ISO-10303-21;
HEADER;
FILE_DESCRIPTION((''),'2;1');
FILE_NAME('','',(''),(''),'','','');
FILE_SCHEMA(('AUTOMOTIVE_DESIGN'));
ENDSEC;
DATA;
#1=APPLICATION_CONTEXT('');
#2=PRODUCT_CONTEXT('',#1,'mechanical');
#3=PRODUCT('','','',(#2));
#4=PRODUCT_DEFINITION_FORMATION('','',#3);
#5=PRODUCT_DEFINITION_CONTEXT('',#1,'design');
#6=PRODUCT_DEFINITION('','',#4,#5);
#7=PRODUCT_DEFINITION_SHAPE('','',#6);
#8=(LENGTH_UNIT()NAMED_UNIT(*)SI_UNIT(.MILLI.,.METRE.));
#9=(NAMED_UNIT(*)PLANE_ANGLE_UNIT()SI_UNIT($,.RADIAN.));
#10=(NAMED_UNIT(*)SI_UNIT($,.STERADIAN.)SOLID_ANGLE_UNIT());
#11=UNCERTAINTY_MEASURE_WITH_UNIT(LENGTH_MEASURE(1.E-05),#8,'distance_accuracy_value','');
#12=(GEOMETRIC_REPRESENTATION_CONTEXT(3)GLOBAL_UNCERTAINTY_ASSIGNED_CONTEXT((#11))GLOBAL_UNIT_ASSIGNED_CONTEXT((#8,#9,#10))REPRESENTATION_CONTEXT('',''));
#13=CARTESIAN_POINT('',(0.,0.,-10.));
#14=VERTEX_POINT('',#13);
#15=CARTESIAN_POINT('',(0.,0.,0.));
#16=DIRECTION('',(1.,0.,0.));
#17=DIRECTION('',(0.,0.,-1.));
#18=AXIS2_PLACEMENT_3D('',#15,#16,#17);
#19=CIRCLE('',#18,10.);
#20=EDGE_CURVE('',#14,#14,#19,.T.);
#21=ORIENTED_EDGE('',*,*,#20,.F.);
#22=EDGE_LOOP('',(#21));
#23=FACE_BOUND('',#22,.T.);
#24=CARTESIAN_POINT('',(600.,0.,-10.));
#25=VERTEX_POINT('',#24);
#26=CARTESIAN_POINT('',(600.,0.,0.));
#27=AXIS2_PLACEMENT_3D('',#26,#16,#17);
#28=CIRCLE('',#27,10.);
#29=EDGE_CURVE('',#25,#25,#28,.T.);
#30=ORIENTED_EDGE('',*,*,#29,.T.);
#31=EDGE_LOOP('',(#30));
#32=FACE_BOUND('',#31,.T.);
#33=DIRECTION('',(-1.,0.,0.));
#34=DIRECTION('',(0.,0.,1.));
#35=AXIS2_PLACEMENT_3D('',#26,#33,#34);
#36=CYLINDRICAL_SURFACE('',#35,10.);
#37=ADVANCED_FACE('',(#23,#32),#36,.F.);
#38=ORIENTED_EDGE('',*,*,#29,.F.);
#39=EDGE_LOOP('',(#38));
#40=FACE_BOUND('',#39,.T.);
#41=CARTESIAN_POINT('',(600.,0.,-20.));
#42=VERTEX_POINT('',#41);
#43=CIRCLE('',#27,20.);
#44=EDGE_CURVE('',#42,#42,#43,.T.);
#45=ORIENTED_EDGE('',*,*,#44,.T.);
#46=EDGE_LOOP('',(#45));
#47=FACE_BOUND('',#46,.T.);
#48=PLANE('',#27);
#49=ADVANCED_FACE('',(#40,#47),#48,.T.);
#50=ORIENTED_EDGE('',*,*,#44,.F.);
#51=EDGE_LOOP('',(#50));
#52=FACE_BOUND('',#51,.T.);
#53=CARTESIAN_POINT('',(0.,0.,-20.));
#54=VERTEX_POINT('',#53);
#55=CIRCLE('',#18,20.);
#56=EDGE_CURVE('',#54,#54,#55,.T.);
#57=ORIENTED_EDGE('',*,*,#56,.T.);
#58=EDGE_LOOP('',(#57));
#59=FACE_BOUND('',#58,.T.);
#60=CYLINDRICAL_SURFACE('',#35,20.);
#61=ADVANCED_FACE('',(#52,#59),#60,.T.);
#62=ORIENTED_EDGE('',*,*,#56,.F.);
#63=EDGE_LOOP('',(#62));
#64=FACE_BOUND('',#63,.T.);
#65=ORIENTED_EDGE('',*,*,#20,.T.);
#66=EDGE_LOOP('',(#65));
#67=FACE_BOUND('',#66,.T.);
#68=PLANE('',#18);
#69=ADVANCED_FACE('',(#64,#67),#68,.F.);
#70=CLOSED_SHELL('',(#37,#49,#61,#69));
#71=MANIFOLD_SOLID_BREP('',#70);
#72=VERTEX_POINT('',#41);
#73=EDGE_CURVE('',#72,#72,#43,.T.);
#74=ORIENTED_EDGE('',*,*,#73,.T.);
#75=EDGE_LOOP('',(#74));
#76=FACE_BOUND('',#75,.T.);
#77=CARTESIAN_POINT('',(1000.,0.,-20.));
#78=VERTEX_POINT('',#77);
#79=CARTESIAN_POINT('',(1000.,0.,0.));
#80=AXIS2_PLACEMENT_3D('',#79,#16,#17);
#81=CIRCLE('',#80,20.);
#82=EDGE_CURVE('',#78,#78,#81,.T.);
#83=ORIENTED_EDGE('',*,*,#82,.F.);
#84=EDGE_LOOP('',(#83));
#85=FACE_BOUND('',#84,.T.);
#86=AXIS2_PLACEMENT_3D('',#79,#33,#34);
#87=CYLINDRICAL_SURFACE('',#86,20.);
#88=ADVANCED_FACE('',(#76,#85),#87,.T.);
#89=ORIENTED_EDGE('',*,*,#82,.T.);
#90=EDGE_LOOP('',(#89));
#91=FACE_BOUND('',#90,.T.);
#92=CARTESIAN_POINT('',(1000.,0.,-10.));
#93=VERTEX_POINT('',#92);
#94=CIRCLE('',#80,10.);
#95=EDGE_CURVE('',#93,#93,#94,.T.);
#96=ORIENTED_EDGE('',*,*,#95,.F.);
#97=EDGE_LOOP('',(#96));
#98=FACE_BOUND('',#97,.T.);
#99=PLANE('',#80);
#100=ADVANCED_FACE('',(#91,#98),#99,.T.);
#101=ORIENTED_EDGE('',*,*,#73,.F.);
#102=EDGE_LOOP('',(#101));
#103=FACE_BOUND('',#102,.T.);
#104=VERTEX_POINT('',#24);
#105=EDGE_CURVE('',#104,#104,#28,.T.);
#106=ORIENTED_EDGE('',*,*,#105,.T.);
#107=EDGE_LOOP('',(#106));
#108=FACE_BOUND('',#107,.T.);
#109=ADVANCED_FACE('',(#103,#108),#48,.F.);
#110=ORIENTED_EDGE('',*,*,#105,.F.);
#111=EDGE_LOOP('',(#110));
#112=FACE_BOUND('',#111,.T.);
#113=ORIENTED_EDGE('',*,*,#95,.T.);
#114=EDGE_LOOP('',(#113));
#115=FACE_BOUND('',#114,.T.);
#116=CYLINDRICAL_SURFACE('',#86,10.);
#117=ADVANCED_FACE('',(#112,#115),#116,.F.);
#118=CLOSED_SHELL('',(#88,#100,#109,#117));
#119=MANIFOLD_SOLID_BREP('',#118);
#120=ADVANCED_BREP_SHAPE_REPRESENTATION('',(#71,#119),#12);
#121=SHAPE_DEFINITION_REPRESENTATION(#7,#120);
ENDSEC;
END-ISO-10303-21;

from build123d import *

# Parameters (mm, degrees)
SKETCH12_R                = 20
SKETCH12_R_2              = 10
PIPE_33_7_X_4_0_2_DEPTH   = 600
SKETCH12_ON_SEGMENT_2_R   = 20
SKETCH12_ON_SEGMENT_2_R_2 = 10
PIPE_33_7_X_4_0_2_2_DEPTH = 400


with BuildPart() as part:
    # Sketch12 → Pipe 33.7 X 4.0(2) (new body)
    with BuildSketch(Plane.YZ):
        Circle(SKETCH12_R)
        Circle(SKETCH12_R_2, mode=Mode.SUBTRACT)
    extrude(amount=PIPE_33_7_X_4_0_2_DEPTH)


with BuildPart() as body_2:
    # Sketch12 on segment 2 (carried to segment 2) → Pipe 33.7 X 4.0_2 2 (new body)
    with BuildSketch(Plane.YZ.offset(600)):
        Circle(SKETCH12_ON_SEGMENT_2_R)
        Circle(SKETCH12_ON_SEGMENT_2_R_2, mode=Mode.SUBTRACT)
    extrude(amount=PIPE_33_7_X_4_0_2_2_DEPTH)


solid = Compound([part.part, body_2.part])
